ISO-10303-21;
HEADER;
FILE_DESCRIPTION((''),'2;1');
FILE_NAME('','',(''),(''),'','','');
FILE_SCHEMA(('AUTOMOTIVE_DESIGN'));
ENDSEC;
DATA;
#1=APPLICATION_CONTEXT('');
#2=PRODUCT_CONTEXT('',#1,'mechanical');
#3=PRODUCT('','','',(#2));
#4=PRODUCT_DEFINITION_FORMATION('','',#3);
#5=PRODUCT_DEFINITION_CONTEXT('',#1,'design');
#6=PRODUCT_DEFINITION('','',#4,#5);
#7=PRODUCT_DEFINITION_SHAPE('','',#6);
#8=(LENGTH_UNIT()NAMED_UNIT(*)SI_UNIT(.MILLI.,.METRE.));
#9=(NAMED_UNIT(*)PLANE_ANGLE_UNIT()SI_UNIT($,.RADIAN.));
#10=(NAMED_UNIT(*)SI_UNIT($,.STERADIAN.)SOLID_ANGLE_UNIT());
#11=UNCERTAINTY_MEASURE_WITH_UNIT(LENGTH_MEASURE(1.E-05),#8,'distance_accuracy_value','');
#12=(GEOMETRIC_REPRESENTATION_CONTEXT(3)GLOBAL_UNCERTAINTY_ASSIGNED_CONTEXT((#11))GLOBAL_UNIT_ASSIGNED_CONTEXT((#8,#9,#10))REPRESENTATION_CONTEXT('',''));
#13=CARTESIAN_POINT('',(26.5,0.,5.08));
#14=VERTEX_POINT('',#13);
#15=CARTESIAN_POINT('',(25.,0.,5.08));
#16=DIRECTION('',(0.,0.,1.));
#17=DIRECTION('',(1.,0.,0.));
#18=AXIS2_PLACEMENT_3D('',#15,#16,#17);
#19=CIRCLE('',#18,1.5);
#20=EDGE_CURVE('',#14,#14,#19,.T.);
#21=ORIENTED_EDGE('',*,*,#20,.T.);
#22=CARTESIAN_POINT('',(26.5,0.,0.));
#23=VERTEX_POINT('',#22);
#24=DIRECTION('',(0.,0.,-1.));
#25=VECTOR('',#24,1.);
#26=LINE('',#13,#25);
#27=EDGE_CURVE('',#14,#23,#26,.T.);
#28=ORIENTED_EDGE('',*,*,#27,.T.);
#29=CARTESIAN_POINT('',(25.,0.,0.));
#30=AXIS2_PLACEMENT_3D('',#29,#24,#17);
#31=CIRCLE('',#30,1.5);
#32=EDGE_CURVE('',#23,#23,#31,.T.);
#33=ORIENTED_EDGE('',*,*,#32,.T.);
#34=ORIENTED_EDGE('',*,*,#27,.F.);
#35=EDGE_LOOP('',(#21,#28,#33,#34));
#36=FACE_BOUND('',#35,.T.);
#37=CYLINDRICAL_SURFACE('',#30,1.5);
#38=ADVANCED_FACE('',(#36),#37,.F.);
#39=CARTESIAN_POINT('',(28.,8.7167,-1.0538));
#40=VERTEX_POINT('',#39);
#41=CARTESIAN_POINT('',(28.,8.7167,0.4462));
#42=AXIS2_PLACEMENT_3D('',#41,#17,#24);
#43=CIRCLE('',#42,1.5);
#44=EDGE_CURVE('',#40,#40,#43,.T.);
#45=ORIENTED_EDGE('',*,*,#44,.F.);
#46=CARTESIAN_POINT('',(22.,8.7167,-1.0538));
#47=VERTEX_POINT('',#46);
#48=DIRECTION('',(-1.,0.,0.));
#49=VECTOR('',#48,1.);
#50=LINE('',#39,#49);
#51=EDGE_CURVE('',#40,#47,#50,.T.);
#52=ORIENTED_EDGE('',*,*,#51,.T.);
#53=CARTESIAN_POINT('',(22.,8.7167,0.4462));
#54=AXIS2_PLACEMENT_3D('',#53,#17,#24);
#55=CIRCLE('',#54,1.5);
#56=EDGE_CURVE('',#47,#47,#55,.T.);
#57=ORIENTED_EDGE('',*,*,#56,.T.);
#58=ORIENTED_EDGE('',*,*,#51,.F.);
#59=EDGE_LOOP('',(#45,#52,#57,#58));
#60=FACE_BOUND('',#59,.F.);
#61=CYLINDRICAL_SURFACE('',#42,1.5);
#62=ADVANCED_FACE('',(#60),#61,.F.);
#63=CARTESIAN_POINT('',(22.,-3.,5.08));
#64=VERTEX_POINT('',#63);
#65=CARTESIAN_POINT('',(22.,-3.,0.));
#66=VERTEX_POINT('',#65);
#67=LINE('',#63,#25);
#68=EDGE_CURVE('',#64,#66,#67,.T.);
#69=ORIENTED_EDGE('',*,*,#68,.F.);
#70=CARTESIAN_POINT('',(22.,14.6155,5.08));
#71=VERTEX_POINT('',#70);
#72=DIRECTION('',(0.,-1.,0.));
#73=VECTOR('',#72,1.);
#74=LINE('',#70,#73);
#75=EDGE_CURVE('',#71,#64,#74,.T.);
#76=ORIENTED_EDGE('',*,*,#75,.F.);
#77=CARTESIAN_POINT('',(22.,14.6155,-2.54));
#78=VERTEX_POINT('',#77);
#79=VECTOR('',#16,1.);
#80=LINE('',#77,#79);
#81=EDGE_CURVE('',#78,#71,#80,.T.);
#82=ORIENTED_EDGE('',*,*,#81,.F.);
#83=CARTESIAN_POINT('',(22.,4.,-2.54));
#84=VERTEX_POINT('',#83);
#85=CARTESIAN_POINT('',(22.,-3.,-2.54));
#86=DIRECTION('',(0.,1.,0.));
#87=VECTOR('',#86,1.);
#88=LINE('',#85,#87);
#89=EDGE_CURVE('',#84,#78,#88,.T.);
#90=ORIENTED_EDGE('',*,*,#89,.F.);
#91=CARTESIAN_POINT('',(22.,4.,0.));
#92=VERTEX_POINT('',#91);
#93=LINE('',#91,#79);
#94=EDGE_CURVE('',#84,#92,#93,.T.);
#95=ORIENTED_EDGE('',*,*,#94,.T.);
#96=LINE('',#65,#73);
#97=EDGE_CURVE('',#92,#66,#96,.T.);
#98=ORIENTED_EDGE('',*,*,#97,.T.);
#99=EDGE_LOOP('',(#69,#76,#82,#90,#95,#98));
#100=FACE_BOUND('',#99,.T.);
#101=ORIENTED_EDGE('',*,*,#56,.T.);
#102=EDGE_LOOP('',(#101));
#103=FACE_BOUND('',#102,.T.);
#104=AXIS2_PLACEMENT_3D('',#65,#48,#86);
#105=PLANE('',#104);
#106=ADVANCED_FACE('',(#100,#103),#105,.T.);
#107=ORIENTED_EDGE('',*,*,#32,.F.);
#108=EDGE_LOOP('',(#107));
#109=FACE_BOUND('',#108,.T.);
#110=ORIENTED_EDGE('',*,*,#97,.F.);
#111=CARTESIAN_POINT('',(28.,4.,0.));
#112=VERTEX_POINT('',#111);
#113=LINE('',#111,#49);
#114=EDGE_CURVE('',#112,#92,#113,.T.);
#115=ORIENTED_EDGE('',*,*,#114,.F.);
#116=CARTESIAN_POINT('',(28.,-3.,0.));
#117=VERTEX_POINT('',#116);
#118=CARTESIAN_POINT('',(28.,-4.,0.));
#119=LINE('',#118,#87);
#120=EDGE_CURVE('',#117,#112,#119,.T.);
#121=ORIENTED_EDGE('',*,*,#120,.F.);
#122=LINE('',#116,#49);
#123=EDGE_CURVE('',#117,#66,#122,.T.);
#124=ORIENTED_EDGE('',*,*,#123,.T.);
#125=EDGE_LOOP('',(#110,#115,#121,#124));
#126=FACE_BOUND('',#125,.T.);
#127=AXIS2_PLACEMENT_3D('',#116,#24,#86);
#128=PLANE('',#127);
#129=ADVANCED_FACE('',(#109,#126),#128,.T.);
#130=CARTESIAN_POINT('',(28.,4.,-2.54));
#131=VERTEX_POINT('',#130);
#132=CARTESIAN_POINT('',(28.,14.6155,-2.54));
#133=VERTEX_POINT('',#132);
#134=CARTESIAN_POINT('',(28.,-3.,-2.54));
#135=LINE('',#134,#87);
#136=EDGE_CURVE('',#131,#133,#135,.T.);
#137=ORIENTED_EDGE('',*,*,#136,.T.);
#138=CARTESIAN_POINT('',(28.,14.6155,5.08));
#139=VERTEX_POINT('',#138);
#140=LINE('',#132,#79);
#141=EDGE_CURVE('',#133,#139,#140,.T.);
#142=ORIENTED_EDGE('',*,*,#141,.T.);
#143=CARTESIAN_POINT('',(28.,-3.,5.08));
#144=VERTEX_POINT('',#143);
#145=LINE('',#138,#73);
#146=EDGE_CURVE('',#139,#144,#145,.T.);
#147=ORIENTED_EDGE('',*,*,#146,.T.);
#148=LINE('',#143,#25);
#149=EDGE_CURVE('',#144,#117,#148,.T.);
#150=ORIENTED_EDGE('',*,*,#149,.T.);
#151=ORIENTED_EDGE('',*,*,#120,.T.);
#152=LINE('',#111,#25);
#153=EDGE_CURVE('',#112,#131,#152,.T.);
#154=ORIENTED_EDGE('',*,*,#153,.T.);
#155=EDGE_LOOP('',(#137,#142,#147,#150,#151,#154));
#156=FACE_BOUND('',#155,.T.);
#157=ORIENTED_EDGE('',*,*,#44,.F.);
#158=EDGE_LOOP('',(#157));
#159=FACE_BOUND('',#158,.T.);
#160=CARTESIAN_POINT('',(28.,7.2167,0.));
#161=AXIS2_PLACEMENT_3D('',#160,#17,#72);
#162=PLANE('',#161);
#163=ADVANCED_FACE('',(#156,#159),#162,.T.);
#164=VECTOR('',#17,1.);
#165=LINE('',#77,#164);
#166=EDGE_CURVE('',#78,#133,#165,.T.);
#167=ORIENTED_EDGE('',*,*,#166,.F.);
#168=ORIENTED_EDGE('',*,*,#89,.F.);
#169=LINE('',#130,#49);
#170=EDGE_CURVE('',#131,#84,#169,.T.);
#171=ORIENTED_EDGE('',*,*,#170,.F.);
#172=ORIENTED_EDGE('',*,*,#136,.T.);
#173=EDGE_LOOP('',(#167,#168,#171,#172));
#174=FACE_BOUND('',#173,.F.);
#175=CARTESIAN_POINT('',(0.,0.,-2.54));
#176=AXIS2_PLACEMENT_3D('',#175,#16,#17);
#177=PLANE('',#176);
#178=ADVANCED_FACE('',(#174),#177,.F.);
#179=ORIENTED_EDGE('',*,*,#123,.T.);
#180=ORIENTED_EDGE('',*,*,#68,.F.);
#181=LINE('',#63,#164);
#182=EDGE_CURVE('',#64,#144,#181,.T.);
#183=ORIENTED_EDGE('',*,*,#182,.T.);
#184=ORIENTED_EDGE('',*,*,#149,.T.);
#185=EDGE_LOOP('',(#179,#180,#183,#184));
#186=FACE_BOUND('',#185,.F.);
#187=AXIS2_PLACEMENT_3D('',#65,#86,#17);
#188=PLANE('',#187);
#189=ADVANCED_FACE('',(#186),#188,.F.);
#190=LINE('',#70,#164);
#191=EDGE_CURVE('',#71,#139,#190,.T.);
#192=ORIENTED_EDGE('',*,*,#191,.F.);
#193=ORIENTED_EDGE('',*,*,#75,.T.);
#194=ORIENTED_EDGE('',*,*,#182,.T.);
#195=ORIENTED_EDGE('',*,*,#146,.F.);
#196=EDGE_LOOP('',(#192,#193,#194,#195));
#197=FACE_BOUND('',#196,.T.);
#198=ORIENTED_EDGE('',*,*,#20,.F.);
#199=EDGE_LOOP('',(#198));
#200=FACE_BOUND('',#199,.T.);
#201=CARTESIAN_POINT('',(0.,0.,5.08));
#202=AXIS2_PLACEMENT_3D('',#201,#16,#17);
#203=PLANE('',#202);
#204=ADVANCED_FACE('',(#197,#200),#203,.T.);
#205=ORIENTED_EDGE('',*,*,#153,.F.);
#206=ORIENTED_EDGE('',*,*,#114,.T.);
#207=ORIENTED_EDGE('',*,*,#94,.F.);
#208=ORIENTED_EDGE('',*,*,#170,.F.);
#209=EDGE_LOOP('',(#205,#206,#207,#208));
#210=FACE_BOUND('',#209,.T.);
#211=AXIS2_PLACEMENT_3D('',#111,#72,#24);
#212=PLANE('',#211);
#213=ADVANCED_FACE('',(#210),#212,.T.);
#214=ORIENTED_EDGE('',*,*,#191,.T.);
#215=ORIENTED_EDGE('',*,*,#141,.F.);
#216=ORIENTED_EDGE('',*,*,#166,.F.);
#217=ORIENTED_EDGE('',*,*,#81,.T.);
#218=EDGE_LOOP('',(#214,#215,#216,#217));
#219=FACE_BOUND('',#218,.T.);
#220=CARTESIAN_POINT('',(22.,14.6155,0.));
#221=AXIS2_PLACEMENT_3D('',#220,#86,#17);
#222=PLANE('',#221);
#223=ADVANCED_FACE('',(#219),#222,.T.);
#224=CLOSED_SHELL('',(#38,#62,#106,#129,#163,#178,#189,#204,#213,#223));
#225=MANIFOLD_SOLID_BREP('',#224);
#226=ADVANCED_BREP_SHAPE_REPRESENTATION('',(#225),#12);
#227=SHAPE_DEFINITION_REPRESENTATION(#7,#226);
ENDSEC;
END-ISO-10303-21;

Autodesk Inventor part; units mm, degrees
ref_plane "YZ Plane" through (0, 0, 0) normal (1, 0, 0) x (0, 1, 0)
ref_plane "XZ Plane" through (0, 0, 0) normal (0, 1, 0) x (-1, 0, 0)
ref_plane "XY Plane" through (0, 0, 0) normal (0, 0, 1) x (1, 0, 0)
sketch "Sketch1" plane through (0, 0, 0) normal (0, 0, 1) x (1, 0, 0)
  circle A0 centre (25, 0) radius 1.5 projected
  line L0 (30, 7.2167) -> (20.6, 7.2167)
  line L1 (30, 10.2167) -> (20.6, 10.2167)
  line L2 (22, -3) -> (28, -3) projected
  line L3 (28, -3) -> (22, -3)
  line L4 (22, -3) -> (22, 14.6155)
  line L5 (22, 14.6155) -> (28, 14.6155)
  line L6 (28, 14.6155) -> (28, -3)
  point P0 (0, 0)
extrude "Extrusion1" add sketch "Sketch1" along normal blind 5.08 and the other way blind 2.54
sketch "Sketch2" plane through (28, -3, 5.08) normal (1, 0, 0) x (0, 0, -1)
  line L0 (5.08, -1) -> (5.08, 7) projected
  circle A0 centre (4.6338, 11.7167) radius 1.5 projected
  line L1 (5.08, 7) -> (7.62, 7)
  line L2 (7.62, 17.6155) -> (7.62, 0) projected
  line L3 (7.62, 7) -> (7.62, 0)
  line L4 (7.62, 0) -> (5.08, 0)
  line L5 (7.62, 0) -> (0, 0) projected
  line L6 (5.08, 0) -> (5.08, 7)
  point P0 (5.08, 3)
extrude "Extrusion2" cut sketch "Sketch2" against normal blind 7.62
properties part number "Base_encoder"
